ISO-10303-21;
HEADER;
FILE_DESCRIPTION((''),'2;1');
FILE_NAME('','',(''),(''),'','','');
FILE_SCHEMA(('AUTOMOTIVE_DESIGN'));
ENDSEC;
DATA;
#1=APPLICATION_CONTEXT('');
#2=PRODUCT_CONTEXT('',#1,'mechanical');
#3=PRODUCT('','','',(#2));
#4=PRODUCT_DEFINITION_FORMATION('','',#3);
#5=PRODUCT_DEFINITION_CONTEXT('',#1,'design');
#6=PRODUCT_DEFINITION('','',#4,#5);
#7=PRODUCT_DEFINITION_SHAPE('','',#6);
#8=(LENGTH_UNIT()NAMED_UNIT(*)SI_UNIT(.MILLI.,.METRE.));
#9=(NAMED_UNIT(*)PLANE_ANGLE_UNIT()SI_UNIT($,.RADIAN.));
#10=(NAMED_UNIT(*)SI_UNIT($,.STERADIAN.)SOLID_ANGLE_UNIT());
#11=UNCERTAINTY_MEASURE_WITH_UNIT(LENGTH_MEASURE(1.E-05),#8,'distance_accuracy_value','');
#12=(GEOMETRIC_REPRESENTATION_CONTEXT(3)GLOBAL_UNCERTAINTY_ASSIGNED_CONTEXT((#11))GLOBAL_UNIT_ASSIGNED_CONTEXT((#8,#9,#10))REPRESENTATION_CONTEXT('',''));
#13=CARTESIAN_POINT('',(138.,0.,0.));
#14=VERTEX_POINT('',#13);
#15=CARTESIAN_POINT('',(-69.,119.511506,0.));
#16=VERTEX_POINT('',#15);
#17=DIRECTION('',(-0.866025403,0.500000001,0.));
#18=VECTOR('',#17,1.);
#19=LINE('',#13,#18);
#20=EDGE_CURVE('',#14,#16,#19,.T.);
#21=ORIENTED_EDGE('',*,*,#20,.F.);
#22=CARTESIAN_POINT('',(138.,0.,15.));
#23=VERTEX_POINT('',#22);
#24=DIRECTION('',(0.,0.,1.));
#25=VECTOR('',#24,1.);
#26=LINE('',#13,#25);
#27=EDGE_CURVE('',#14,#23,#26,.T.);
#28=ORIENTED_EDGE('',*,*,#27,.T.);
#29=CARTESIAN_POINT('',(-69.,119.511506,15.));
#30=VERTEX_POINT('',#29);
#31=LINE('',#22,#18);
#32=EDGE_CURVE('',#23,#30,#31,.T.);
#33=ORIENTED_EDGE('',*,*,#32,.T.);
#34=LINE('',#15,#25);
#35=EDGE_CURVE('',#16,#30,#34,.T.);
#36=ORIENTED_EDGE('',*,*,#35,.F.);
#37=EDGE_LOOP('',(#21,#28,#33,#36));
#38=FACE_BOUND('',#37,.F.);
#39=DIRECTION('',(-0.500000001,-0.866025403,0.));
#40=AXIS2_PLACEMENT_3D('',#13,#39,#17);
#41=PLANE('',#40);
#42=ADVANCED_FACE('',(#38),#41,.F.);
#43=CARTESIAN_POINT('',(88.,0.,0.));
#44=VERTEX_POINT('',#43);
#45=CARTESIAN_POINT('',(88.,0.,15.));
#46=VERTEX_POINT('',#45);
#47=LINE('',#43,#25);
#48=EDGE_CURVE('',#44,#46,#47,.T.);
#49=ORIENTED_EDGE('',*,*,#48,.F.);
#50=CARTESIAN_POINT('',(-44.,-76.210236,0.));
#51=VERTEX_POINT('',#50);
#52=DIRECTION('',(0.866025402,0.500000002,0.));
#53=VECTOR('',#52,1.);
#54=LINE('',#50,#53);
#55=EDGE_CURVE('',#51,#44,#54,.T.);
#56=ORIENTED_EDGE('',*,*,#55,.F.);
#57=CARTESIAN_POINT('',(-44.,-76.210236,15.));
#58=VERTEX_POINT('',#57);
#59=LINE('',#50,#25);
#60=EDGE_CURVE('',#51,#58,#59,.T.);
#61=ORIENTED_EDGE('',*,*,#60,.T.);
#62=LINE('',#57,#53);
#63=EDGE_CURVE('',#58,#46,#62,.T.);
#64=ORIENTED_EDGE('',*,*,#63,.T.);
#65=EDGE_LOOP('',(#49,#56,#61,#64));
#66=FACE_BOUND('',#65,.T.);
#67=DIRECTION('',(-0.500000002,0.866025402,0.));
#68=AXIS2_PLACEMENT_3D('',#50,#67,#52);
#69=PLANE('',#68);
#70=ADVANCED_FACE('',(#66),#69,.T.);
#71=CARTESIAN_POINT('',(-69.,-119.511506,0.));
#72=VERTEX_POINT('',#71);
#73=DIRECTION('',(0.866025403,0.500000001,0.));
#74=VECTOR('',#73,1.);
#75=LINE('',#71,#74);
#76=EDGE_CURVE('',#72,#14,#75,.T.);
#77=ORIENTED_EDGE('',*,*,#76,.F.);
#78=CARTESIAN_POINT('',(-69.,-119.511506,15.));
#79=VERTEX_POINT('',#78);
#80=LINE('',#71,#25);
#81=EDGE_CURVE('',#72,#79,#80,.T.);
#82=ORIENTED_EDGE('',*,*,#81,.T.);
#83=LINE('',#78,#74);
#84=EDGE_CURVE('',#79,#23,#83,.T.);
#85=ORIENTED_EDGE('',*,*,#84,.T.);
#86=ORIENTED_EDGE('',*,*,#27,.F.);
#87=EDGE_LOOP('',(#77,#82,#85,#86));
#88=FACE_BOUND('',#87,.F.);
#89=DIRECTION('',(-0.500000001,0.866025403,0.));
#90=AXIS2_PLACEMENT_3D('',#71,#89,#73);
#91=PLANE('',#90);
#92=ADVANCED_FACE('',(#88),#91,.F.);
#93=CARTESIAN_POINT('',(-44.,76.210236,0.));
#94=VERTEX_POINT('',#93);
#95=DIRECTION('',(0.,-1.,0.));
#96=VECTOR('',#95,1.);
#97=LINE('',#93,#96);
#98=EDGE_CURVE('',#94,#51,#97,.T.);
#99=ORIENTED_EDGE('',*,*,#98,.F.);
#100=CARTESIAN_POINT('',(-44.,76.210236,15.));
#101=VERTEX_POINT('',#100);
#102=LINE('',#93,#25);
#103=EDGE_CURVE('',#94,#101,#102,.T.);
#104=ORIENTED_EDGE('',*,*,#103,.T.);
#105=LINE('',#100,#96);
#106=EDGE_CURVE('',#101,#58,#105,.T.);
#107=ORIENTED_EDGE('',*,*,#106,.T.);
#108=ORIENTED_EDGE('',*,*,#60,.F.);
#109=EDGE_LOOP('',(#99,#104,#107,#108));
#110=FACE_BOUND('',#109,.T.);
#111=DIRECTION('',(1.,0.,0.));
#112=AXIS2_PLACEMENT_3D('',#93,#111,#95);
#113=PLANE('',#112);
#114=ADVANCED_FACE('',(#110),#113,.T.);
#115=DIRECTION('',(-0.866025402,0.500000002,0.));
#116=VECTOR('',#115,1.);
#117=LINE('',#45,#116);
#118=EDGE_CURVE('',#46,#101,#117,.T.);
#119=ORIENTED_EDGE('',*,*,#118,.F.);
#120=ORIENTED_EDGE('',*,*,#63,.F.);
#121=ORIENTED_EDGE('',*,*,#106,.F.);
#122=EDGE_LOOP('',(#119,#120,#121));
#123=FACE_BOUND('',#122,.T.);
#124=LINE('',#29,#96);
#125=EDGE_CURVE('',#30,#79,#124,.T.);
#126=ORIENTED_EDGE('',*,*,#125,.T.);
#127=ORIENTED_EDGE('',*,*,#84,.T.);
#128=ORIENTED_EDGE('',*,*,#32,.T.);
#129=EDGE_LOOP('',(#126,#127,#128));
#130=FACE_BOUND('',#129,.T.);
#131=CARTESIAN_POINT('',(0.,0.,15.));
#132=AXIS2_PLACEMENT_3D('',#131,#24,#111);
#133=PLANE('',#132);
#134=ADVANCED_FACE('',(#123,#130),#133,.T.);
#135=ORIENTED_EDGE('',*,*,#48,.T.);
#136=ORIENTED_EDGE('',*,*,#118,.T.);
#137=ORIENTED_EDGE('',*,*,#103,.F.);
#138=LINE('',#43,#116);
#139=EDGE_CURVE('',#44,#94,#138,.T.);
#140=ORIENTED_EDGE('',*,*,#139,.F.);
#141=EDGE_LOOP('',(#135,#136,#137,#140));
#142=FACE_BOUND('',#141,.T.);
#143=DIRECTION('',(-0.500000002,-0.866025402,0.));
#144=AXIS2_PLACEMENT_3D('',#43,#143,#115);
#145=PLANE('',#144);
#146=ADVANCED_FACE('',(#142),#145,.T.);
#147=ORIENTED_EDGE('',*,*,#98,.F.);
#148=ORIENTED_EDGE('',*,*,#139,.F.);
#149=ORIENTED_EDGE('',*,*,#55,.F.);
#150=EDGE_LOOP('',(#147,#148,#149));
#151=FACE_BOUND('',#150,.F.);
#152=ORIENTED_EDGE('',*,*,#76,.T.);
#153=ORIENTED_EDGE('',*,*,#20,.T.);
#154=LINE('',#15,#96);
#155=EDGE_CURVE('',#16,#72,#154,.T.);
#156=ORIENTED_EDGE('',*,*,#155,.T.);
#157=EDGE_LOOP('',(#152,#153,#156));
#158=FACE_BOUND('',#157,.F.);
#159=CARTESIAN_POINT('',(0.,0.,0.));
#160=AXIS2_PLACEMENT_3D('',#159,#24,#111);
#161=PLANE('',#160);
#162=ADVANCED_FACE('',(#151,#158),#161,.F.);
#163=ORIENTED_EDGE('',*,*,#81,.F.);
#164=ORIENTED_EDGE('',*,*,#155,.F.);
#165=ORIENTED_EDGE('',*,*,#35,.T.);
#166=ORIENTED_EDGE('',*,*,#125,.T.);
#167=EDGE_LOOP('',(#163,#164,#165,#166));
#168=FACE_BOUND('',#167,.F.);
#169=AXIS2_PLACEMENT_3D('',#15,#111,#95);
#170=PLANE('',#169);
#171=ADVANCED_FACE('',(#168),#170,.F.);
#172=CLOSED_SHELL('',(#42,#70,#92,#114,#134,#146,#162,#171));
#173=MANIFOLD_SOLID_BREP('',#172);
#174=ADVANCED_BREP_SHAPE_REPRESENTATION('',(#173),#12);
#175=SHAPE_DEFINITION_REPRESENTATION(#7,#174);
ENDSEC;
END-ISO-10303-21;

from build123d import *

# Parameters (mm, degrees)
PRISM001_DEPTH = 15
PRISM_DEPTH    = 15


with BuildPart() as prism001:
    # Prism001 → Prism001 (new body)
    with BuildSketch(Plane.XY):
        Polygon((88, 0), (-44, 76.210236), (-44, -76.210236), align=None)
    extrude(amount=PRISM001_DEPTH)


with BuildPart() as cut:
    # Prism → Prism (new body)
    with BuildSketch(Plane.XY):
        Polygon((138, 0), (-69, 119.511506), (-69, -119.511506), align=None)
    extrude(amount=PRISM_DEPTH)

    # Cut: cut Prism001
    add(prism001.part, mode=Mode.SUBTRACT)


solid = cut.part
